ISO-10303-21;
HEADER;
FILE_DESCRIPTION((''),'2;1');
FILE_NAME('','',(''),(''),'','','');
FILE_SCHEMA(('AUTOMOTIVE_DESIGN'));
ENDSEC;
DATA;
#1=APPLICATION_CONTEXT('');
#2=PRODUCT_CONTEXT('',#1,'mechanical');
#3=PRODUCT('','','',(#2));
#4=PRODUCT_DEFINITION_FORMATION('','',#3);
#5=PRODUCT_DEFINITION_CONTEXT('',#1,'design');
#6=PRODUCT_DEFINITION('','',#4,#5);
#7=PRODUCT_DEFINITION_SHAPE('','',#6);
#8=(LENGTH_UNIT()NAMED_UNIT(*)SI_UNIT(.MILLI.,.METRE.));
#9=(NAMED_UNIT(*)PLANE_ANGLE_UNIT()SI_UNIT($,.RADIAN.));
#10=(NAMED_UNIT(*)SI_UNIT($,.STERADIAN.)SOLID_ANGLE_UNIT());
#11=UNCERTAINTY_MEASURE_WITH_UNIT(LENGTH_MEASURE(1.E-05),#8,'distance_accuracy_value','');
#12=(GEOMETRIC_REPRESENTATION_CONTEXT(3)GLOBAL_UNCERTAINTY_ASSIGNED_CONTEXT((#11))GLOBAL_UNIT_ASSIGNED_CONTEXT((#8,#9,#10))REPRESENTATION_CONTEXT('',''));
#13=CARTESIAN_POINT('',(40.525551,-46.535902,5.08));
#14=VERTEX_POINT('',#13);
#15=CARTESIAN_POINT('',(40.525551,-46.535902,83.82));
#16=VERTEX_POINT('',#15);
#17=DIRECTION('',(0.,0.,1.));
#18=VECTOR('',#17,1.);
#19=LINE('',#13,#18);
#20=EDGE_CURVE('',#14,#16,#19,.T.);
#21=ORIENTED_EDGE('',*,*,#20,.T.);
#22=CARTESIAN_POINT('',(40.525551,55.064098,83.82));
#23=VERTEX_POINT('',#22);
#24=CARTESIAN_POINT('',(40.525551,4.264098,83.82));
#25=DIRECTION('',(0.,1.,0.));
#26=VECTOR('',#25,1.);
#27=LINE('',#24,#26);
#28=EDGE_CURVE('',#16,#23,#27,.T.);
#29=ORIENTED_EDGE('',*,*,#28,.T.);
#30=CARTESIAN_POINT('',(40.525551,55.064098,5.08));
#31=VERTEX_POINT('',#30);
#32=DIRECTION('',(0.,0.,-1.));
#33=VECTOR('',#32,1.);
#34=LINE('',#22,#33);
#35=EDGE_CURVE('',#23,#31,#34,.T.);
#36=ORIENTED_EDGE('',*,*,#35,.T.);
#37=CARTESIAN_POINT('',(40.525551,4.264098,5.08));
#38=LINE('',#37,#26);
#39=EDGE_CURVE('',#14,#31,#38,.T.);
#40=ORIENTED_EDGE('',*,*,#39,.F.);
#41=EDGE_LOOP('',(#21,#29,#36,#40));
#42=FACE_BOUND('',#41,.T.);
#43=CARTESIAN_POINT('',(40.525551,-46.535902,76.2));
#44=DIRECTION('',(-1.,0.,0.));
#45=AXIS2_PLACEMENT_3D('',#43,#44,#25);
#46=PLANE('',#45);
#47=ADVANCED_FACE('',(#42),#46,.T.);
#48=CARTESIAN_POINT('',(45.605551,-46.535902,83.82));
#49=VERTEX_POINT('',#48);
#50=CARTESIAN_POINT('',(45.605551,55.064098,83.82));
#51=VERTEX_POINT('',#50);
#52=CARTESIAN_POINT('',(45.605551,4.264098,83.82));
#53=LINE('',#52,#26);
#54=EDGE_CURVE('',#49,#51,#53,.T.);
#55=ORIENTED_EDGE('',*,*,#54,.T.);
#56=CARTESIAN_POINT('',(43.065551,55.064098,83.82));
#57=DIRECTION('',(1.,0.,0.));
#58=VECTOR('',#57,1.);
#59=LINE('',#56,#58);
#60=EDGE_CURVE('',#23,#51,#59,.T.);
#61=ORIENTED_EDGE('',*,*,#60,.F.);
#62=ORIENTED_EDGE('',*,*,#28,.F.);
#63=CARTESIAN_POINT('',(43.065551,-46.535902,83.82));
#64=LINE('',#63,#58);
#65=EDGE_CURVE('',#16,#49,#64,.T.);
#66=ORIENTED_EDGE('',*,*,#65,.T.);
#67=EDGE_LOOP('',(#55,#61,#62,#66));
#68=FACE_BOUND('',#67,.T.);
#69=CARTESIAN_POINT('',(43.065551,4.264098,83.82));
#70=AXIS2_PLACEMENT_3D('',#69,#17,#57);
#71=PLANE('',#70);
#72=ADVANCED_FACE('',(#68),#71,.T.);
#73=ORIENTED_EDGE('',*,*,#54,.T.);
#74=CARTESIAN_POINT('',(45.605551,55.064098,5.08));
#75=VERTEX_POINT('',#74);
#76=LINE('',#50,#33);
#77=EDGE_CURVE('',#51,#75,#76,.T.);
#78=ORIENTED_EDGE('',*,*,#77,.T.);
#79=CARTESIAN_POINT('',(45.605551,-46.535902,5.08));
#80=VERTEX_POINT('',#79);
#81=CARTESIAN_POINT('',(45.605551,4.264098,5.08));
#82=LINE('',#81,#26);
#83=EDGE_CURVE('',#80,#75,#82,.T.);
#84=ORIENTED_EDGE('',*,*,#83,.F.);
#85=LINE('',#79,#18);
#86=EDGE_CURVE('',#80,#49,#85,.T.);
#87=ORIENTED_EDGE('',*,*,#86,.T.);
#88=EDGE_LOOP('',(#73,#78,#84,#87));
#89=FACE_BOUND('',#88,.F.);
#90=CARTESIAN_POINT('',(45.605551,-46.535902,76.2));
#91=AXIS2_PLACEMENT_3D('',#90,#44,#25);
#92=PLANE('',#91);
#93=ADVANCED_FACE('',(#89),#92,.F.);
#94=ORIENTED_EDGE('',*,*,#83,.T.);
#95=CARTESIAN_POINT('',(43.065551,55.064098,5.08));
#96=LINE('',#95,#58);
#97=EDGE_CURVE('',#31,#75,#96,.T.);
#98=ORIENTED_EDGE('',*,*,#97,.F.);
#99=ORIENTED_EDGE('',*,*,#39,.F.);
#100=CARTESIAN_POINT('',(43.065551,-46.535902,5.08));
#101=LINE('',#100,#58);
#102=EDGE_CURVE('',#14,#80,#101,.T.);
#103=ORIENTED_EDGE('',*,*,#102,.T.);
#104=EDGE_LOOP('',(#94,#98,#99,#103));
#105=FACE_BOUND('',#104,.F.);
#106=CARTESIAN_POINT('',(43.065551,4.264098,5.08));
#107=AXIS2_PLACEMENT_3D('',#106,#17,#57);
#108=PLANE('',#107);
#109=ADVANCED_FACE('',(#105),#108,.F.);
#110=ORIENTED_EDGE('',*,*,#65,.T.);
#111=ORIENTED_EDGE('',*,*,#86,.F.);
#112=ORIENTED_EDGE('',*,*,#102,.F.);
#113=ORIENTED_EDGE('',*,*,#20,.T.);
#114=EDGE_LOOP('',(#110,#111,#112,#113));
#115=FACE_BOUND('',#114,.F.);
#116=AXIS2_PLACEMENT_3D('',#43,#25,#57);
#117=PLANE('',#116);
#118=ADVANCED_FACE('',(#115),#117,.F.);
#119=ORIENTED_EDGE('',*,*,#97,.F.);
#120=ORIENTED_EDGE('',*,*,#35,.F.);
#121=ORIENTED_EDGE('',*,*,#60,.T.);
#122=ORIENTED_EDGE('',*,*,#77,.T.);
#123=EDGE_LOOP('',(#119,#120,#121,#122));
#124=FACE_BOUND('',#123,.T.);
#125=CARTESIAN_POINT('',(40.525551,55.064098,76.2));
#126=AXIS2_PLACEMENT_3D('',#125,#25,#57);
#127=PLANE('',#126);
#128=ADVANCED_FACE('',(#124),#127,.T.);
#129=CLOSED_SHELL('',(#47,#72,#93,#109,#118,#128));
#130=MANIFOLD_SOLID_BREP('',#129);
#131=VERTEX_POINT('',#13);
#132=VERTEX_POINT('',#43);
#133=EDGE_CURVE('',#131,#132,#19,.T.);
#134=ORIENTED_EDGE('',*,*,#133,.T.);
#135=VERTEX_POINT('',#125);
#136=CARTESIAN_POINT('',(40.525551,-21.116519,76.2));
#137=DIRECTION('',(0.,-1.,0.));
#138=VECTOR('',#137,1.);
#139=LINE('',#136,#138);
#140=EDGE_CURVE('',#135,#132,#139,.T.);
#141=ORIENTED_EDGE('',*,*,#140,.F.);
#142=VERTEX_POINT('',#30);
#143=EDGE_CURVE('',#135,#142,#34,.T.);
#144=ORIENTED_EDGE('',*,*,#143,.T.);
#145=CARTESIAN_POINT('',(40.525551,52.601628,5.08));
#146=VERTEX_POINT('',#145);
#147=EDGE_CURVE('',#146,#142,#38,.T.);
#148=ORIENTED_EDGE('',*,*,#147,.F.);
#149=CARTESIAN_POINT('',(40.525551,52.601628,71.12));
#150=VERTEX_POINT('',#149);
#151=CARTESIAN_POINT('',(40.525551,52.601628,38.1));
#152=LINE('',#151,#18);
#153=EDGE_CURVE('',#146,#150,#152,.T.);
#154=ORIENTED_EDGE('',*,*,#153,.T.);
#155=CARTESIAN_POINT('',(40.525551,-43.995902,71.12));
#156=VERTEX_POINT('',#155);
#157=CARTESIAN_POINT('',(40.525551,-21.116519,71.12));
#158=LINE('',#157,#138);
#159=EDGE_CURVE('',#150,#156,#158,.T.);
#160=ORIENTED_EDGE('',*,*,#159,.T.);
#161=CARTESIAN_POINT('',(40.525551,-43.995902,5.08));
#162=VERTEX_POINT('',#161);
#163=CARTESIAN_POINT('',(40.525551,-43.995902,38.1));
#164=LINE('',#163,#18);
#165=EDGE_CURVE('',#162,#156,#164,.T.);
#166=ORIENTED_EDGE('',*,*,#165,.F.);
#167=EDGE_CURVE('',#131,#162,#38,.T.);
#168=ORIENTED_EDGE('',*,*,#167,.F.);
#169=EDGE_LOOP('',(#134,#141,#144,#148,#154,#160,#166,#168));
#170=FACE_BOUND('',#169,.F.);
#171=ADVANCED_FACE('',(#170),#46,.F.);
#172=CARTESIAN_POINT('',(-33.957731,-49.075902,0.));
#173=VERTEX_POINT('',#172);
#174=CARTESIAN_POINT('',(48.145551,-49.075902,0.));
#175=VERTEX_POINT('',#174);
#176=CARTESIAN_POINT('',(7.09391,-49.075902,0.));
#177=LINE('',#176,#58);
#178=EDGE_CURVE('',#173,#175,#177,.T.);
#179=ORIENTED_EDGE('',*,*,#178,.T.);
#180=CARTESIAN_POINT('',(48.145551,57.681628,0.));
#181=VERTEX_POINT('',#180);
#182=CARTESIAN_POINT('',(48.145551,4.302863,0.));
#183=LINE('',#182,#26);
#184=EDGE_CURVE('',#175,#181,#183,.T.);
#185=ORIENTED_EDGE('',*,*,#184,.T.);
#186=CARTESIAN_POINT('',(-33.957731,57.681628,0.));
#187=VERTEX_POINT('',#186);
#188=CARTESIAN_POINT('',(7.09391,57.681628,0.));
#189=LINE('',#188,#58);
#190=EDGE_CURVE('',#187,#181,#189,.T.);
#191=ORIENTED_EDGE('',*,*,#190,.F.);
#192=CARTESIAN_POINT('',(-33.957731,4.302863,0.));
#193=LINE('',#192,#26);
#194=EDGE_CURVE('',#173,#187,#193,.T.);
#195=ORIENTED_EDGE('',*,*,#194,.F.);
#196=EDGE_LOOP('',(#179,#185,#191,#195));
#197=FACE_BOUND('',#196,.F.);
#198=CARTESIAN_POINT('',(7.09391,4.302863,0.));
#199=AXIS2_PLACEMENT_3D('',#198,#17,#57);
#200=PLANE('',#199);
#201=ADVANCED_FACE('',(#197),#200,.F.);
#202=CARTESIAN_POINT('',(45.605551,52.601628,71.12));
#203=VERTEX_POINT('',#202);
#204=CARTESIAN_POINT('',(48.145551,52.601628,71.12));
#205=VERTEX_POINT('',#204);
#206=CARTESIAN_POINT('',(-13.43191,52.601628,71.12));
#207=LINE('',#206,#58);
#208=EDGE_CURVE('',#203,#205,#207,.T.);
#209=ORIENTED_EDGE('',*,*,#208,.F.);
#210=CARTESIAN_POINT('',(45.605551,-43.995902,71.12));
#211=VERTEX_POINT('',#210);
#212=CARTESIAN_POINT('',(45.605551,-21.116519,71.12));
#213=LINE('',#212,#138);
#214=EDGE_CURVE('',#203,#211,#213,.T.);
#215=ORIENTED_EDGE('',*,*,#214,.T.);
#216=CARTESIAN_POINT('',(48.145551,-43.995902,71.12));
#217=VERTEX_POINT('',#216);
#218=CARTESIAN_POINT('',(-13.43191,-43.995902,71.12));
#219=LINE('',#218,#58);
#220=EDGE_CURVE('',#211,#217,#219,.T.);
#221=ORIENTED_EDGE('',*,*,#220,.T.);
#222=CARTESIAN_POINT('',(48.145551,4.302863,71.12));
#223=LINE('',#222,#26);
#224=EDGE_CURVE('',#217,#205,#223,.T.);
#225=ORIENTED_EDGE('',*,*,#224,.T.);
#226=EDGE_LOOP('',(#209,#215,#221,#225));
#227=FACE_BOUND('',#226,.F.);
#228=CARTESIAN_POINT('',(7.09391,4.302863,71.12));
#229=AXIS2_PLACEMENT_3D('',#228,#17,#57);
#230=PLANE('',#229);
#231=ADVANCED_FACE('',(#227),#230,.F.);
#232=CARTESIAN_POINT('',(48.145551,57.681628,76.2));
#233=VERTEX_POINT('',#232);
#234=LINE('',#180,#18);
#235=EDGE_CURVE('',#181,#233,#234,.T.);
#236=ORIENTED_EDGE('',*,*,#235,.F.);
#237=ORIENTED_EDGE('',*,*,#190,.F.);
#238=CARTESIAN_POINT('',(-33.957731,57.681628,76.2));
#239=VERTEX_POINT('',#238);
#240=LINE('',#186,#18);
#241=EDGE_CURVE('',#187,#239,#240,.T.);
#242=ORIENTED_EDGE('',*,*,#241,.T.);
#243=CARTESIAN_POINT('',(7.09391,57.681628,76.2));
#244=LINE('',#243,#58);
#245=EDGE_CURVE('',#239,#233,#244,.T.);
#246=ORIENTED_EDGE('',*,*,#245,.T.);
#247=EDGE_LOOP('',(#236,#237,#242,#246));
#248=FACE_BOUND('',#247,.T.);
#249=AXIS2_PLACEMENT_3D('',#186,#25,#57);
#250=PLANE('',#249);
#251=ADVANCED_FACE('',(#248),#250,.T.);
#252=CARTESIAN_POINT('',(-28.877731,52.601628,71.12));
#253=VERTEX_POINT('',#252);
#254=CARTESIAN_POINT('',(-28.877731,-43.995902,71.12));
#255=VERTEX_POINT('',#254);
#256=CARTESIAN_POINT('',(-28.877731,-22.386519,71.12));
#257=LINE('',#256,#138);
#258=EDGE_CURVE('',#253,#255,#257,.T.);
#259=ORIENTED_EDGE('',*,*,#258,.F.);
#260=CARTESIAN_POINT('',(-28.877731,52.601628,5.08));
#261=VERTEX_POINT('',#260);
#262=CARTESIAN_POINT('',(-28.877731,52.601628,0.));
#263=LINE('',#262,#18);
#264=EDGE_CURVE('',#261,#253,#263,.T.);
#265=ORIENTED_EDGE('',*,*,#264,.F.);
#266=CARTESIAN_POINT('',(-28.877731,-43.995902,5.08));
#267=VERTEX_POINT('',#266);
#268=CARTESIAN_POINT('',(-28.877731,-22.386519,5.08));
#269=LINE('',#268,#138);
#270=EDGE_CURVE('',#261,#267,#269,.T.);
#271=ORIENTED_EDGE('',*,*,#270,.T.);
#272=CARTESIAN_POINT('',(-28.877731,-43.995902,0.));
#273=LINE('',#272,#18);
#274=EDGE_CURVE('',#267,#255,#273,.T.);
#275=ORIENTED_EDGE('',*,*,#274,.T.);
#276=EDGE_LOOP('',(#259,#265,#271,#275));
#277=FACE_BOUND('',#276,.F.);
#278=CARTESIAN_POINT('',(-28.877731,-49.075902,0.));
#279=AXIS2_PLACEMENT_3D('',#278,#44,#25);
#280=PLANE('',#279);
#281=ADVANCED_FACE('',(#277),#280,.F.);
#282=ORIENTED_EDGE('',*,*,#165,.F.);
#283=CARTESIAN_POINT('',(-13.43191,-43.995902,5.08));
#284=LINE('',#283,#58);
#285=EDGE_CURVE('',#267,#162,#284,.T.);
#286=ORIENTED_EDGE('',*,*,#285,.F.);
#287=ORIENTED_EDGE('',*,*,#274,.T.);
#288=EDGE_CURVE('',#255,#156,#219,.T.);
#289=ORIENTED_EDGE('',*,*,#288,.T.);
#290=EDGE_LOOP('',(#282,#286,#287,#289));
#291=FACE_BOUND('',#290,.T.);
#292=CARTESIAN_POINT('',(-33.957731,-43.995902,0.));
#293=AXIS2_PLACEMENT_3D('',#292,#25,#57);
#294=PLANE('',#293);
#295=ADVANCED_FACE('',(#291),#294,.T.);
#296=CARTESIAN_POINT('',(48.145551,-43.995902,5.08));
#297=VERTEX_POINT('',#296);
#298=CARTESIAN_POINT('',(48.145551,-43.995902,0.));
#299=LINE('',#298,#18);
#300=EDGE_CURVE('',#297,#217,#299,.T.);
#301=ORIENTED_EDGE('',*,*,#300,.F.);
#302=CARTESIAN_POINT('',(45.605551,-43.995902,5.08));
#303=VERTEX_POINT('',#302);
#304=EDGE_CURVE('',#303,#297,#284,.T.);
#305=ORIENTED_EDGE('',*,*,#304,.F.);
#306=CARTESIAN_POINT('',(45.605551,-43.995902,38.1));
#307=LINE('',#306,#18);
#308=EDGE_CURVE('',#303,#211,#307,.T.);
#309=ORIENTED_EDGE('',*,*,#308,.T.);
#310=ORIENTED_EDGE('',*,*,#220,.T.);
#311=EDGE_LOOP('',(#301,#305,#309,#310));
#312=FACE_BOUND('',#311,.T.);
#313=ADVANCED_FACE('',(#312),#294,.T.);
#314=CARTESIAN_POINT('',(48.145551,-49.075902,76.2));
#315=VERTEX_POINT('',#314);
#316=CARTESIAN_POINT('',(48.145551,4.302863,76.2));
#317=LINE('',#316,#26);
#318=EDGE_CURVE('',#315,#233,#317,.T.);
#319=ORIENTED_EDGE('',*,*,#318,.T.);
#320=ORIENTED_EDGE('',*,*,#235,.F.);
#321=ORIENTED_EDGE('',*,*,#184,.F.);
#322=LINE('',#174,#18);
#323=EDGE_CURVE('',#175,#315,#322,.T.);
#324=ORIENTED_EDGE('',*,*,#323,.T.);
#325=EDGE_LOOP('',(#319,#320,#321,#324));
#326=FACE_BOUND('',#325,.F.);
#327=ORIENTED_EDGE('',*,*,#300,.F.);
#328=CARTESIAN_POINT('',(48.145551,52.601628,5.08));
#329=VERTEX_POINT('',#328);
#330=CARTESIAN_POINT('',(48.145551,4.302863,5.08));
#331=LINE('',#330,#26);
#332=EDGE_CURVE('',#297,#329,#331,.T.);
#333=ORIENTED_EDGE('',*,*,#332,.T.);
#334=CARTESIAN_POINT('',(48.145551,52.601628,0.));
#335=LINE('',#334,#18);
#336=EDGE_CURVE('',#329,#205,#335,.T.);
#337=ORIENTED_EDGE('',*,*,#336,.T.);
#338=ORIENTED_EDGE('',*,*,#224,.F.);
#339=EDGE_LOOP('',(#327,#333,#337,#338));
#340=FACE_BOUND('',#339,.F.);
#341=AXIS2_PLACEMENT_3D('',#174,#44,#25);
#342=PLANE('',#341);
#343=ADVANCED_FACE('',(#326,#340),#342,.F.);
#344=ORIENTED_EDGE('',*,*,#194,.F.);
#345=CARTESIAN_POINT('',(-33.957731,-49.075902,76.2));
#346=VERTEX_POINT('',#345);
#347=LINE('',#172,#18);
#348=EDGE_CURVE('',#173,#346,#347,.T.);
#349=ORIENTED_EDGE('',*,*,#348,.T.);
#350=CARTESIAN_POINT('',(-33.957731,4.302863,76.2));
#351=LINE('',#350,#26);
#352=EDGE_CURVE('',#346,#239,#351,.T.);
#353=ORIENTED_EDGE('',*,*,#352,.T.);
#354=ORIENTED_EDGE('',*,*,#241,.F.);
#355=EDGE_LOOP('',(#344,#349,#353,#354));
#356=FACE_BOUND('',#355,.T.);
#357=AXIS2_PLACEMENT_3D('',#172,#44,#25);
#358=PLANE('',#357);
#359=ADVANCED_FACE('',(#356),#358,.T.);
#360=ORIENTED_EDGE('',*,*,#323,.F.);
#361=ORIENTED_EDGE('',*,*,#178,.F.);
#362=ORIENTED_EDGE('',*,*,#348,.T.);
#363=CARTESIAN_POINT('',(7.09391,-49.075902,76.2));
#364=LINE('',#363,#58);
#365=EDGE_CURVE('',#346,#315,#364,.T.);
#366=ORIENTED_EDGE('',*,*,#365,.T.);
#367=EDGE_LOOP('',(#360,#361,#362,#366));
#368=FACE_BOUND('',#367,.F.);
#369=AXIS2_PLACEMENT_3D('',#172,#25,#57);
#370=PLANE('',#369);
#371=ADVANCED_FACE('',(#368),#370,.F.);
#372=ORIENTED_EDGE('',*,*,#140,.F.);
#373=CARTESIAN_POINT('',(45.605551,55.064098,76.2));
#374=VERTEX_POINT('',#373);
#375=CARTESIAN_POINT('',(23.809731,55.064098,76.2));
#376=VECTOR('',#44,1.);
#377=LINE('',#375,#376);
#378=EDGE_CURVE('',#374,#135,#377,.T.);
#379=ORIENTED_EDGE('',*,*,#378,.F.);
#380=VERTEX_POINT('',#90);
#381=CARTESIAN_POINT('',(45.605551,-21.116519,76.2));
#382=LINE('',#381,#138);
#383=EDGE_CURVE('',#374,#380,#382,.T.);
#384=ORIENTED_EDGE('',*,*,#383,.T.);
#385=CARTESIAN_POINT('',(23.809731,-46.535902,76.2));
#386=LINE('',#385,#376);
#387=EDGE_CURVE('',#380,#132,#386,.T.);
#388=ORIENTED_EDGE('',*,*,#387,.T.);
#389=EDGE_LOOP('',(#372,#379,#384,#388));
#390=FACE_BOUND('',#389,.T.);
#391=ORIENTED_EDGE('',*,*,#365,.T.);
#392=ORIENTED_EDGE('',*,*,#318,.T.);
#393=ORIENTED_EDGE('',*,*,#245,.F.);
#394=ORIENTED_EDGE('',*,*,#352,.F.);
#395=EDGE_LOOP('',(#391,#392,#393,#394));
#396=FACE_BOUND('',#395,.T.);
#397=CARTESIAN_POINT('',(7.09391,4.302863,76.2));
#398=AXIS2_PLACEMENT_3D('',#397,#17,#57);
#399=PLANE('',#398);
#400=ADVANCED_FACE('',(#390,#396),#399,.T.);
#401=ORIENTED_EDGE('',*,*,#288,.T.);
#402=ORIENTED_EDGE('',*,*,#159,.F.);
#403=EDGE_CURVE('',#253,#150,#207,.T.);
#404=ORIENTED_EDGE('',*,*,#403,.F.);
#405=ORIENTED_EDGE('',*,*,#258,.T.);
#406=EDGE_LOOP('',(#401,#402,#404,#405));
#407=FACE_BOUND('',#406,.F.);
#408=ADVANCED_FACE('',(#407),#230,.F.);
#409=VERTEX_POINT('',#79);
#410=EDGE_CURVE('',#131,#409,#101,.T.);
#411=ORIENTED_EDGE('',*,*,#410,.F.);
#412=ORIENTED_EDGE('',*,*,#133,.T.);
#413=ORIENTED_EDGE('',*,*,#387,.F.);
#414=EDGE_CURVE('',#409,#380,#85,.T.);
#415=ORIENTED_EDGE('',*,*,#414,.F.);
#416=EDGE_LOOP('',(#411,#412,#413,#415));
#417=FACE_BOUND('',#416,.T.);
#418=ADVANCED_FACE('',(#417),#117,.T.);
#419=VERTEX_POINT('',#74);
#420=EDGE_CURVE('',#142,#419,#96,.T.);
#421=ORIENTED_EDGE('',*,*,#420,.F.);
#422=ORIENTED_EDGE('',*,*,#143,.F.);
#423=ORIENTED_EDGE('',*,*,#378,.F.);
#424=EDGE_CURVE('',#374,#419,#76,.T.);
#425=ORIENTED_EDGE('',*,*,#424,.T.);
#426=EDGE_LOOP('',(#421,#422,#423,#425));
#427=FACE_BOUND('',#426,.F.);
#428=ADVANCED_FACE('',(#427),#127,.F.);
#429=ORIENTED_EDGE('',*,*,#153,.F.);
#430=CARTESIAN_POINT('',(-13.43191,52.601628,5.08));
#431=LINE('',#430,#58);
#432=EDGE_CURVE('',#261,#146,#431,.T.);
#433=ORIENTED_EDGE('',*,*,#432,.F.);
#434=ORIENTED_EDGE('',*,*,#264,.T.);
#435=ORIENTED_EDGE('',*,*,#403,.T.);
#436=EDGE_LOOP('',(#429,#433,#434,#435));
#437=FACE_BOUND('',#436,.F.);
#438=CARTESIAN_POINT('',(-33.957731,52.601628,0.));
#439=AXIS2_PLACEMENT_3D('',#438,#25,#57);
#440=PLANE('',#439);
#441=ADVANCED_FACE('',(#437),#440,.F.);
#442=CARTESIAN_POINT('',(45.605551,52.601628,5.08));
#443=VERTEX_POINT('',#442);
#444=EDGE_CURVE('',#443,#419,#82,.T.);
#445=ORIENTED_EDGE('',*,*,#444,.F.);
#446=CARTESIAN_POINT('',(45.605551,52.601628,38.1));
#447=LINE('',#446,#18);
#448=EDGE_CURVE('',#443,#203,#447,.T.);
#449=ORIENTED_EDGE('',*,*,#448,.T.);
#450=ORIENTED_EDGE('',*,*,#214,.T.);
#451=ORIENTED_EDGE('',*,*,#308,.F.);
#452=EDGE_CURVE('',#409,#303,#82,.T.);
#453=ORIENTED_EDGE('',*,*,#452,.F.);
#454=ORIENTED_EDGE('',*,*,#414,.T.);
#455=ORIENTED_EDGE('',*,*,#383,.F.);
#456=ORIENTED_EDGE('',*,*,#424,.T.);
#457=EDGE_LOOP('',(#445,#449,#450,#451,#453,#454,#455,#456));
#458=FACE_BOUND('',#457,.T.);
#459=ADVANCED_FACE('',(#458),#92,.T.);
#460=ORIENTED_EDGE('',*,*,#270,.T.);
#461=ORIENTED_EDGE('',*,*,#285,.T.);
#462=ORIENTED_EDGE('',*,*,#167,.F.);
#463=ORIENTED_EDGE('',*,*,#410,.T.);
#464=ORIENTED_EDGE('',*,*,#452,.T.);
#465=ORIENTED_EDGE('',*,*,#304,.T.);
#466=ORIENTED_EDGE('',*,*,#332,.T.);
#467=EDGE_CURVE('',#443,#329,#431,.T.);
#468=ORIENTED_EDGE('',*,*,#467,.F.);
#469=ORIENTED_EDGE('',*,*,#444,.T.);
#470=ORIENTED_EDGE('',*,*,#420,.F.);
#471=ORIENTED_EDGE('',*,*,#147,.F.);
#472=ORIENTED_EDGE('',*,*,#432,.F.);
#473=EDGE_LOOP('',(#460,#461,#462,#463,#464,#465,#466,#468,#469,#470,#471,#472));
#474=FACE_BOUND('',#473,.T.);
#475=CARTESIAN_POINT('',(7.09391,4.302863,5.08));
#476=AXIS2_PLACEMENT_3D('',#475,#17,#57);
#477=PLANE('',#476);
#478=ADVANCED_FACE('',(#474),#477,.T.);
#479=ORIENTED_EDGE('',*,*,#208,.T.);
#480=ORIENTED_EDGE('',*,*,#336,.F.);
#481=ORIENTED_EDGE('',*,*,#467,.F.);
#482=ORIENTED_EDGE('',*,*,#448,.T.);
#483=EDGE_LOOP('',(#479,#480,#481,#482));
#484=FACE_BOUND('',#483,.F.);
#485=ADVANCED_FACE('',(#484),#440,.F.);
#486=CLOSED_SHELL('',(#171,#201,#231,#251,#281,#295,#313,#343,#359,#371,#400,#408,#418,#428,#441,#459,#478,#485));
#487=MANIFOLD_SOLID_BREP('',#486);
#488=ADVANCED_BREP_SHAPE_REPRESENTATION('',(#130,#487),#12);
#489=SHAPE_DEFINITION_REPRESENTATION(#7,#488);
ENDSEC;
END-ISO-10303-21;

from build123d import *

# Parameters (mm, degrees)
F0_W          = 82.1032822132
F0_H          = 106.7575290799
F1_DEPTH      = 76.2
F2_T          = -5.08
F3_W          = 5.08
F3_H          = 101.6
F4_DEPTH      = 71.12
F4_DEPTH_BACK = 7.62


with BuildPart() as f1:
    # F0 (on Top) → F1 (new body)
    with BuildSketch(Plane.XY):
        with Locations((7.0939101279, 4.3028630316)):
            Rectangle(F0_W, F0_H)
    extrude(amount=F1_DEPTH)

    # F2
    f2_openings = [f1.faces().sort_by_distance(p)[0] for p in [
        (48.145551, 4.302863, 38.1),
    ]]
    offset(amount=F2_T, openings=f2_openings)


with BuildPart() as f4:
    # F3 (on face) → F4 (new body, two sides)
    with BuildSketch(Plane.XY.offset(76.2)) as f4_sk:
        with Locations((43.0655512345, 4.2640984917)):
            Rectangle(F3_W, F3_H)
    extrude(amount=-F4_DEPTH)
    extrude(f4_sk.sketch, amount=F4_DEPTH_BACK)


with BuildPart() as f1_1:
    add(f1.part)

    # F5: cut F4
    add(f4.part, mode=Mode.SUBTRACT)


solid = Compound([f4.part, f1_1.part])
